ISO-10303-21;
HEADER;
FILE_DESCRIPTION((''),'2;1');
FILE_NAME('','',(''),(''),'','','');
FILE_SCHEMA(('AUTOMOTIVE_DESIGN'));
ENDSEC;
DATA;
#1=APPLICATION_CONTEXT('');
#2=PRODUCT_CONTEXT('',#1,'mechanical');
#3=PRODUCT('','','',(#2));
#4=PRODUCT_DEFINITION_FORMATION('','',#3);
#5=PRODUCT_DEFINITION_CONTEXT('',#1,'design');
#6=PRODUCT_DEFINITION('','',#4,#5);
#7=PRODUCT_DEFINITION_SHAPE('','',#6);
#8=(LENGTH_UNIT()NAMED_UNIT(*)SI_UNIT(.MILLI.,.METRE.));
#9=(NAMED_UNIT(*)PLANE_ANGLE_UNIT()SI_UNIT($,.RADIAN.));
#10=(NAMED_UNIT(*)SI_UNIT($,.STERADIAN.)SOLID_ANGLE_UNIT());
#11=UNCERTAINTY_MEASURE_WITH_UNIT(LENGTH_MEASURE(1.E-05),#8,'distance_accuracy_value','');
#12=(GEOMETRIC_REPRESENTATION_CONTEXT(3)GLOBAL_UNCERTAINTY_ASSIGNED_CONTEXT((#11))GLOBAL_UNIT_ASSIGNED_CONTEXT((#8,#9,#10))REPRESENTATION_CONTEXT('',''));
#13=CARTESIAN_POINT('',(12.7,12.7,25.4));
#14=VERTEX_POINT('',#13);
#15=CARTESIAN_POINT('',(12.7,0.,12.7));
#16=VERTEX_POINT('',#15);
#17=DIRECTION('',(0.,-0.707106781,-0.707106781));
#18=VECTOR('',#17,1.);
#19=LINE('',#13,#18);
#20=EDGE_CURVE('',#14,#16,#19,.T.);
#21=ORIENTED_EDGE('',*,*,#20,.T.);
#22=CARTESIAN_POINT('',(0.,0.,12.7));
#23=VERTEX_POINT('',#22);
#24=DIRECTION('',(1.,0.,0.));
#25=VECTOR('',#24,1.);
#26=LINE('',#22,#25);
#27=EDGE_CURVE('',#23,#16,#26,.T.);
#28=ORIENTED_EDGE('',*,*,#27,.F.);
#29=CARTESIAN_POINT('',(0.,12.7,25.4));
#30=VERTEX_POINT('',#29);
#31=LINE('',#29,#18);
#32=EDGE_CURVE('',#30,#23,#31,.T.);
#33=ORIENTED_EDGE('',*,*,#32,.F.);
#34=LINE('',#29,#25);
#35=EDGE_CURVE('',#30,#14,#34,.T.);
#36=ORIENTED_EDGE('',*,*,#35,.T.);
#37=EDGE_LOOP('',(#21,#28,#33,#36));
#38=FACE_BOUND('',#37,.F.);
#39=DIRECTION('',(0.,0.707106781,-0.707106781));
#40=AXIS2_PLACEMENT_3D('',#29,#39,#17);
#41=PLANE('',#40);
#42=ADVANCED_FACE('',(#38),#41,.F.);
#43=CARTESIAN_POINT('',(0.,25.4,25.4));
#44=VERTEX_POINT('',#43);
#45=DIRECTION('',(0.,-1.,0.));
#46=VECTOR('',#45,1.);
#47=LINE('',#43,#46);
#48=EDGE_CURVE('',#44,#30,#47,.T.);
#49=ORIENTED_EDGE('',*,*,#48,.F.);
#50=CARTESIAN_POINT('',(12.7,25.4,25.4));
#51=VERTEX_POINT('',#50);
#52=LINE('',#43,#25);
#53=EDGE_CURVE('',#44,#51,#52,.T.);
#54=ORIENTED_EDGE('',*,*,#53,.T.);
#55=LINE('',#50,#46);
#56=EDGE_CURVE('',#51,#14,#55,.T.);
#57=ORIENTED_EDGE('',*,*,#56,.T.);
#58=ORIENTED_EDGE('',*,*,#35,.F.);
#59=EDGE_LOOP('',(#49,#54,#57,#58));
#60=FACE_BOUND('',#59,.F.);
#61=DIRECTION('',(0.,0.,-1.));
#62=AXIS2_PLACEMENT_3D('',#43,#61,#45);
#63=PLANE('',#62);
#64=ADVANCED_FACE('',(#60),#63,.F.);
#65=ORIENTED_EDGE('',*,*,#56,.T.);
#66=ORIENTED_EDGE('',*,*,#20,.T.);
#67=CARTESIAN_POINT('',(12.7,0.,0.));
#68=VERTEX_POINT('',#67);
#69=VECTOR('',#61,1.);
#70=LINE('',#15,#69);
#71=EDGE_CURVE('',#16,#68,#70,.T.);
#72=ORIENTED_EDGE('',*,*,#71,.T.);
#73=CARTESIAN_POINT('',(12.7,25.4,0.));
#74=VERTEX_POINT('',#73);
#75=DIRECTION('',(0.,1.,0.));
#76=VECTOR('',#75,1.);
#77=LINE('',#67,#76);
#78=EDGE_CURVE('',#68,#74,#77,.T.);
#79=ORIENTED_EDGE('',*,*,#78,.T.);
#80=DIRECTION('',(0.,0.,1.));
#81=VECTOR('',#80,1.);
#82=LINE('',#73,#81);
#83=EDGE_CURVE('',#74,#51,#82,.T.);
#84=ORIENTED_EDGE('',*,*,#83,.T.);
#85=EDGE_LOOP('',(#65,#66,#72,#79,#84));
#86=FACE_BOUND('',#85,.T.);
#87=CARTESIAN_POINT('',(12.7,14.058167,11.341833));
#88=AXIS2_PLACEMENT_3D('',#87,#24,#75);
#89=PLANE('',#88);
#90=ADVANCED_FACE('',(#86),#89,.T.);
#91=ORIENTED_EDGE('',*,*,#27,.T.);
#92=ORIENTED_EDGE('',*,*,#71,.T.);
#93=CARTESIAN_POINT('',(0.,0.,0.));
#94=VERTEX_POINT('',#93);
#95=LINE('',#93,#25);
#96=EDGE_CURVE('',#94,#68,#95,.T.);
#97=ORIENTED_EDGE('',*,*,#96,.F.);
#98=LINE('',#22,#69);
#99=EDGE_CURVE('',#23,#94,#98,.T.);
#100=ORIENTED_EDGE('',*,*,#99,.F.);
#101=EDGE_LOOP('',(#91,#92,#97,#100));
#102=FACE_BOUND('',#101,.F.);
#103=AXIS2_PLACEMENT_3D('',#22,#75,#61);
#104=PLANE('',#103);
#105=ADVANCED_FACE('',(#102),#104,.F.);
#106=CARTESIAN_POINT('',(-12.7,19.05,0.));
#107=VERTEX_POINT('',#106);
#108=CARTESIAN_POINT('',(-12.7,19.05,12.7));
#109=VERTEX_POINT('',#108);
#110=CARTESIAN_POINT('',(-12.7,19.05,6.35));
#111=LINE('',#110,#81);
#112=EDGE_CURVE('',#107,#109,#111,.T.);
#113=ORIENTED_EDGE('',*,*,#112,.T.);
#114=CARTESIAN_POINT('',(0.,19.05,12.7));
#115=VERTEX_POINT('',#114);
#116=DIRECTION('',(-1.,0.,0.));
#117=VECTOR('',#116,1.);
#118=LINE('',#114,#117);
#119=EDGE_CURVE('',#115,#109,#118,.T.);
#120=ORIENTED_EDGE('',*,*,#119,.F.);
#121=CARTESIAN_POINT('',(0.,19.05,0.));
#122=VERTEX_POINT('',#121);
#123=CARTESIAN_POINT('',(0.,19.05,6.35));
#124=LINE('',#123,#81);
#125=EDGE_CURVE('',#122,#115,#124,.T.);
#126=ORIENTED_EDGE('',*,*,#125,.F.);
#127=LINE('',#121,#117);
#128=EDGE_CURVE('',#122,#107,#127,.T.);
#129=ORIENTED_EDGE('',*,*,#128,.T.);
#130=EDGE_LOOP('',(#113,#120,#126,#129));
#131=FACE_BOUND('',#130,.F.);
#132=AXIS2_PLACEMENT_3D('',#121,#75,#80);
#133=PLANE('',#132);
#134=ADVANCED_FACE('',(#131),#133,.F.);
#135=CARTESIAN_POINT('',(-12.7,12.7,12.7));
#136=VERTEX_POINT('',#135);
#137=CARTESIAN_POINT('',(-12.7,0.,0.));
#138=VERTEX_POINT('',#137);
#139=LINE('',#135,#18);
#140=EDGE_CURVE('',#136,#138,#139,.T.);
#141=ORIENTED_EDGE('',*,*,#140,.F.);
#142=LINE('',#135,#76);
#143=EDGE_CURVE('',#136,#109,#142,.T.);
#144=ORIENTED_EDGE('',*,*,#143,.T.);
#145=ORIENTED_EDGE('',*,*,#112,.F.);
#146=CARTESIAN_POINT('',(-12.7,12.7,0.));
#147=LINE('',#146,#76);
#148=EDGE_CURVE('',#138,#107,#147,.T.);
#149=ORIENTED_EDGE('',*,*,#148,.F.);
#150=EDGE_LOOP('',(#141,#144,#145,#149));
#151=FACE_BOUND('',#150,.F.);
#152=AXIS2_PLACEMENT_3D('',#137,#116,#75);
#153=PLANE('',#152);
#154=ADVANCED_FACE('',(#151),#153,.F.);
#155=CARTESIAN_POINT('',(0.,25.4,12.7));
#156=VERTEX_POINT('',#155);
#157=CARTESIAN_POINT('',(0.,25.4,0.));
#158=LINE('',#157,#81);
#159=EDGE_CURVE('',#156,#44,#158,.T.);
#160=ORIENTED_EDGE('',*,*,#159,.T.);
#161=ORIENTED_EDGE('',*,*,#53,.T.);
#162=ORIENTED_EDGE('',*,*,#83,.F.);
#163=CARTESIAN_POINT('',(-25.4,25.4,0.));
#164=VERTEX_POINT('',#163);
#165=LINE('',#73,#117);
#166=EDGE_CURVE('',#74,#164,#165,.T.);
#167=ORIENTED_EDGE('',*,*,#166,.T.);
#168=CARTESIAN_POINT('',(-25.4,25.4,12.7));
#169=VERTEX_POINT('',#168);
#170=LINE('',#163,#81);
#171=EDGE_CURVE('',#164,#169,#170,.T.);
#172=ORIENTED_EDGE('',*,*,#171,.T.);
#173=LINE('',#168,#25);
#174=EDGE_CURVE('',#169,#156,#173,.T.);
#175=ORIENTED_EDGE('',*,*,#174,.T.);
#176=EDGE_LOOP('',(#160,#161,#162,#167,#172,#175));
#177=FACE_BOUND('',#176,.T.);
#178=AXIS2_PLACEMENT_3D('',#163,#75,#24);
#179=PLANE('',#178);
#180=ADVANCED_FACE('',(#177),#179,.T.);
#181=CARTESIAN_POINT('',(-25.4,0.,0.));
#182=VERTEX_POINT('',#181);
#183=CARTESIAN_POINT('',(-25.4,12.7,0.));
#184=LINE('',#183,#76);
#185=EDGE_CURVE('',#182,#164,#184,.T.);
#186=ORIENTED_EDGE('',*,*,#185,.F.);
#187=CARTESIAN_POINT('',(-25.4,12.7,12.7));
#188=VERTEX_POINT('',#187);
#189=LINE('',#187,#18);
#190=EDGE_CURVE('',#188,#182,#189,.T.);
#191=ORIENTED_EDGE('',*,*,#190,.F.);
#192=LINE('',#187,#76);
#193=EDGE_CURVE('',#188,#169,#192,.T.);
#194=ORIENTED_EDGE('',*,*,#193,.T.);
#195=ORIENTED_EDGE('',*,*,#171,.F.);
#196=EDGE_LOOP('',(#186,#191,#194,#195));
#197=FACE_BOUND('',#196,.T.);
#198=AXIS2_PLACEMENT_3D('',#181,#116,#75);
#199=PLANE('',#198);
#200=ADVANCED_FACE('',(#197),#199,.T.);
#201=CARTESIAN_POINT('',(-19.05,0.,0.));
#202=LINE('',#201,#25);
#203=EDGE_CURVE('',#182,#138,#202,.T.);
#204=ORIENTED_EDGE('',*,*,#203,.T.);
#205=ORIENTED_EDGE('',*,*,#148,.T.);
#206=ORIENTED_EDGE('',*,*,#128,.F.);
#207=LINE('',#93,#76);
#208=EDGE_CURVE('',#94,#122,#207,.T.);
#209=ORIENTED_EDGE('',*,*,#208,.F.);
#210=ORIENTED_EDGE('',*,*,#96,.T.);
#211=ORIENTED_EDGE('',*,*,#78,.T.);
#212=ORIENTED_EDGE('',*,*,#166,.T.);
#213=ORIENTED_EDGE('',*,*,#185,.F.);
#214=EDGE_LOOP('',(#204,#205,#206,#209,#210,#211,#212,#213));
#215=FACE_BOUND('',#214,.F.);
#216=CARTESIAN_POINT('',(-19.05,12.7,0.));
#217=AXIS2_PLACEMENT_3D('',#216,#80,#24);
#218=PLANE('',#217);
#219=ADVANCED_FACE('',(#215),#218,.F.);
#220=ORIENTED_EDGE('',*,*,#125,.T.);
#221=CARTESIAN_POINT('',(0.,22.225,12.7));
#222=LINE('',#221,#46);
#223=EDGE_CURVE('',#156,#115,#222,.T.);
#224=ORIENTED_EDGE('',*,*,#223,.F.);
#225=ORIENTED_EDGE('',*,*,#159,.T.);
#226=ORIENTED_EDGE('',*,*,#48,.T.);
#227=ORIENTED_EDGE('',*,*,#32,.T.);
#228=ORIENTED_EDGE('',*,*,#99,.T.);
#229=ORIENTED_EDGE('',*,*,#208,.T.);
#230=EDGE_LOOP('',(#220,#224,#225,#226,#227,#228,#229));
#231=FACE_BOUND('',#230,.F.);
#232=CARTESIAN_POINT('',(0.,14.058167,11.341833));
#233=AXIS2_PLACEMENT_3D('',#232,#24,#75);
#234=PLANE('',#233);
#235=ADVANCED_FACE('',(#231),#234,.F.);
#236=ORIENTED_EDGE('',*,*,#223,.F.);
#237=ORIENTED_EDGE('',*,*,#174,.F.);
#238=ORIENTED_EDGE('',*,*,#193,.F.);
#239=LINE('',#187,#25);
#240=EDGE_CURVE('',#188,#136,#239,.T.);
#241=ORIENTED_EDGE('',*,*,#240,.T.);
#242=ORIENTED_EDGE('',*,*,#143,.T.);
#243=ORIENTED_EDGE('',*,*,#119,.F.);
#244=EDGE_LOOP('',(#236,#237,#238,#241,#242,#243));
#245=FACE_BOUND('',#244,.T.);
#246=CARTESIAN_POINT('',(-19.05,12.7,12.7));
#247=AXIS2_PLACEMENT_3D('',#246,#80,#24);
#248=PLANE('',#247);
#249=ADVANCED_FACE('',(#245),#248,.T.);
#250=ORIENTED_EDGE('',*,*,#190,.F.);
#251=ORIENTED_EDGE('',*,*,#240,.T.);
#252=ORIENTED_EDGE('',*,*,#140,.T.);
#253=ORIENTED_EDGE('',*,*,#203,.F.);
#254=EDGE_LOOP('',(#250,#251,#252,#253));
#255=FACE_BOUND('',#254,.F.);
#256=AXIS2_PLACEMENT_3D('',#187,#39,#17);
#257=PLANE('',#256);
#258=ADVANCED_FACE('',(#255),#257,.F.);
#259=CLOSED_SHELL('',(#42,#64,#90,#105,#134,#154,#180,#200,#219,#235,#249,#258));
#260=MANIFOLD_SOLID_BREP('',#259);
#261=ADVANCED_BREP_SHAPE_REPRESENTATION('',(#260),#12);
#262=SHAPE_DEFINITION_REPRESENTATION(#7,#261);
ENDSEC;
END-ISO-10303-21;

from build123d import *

# Parameters (mm, degrees)
F1_DEPTH = 12.7
F2_W     = 6.35
F2_H     = 12.7
F3_DEPTH = 12.7
F4_W     = 12.7
F4_H     = 25.4
F5_DEPTH = 12.7
F7_DEPTH = 12.7


with BuildPart() as f1:
    # F0 (on Right) → F1 (new body)
    with BuildSketch(Plane.YZ):
        Polygon((0, 12.7), (0, 0), (25.4, 0), (25.4, 25.4), (12.7, 25.4), align=None)
    extrude(amount=F1_DEPTH)

    # F2 (on face) → F3 (join)
    with BuildSketch(Plane(origin=(0, 0, 0), x_dir=(0, -1, 0), z_dir=(-1, 0, 0))):
        with Locations((-22.225, 6.35)):
            Rectangle(F2_W, F2_H)
    extrude(amount=F3_DEPTH)

    # F4 (on Top) → F5 (join)
    with BuildSketch(Plane.XY):
        with Locations((-19.05, 12.7)):
            Rectangle(F4_W, F4_H)
    extrude(amount=F5_DEPTH)

    # F6 (on face) → F7 (cut, through all)
    with BuildSketch(Plane(origin=(-25.4, 0, 0), x_dir=(0, -1, 0), z_dir=(-1, 0, 0))):
        Polygon((0, 12.7), (-12.7, 12.7), (0, 0), align=None)
    extrude(amount=-F7_DEPTH, mode=Mode.SUBTRACT)


solid = f1.part
